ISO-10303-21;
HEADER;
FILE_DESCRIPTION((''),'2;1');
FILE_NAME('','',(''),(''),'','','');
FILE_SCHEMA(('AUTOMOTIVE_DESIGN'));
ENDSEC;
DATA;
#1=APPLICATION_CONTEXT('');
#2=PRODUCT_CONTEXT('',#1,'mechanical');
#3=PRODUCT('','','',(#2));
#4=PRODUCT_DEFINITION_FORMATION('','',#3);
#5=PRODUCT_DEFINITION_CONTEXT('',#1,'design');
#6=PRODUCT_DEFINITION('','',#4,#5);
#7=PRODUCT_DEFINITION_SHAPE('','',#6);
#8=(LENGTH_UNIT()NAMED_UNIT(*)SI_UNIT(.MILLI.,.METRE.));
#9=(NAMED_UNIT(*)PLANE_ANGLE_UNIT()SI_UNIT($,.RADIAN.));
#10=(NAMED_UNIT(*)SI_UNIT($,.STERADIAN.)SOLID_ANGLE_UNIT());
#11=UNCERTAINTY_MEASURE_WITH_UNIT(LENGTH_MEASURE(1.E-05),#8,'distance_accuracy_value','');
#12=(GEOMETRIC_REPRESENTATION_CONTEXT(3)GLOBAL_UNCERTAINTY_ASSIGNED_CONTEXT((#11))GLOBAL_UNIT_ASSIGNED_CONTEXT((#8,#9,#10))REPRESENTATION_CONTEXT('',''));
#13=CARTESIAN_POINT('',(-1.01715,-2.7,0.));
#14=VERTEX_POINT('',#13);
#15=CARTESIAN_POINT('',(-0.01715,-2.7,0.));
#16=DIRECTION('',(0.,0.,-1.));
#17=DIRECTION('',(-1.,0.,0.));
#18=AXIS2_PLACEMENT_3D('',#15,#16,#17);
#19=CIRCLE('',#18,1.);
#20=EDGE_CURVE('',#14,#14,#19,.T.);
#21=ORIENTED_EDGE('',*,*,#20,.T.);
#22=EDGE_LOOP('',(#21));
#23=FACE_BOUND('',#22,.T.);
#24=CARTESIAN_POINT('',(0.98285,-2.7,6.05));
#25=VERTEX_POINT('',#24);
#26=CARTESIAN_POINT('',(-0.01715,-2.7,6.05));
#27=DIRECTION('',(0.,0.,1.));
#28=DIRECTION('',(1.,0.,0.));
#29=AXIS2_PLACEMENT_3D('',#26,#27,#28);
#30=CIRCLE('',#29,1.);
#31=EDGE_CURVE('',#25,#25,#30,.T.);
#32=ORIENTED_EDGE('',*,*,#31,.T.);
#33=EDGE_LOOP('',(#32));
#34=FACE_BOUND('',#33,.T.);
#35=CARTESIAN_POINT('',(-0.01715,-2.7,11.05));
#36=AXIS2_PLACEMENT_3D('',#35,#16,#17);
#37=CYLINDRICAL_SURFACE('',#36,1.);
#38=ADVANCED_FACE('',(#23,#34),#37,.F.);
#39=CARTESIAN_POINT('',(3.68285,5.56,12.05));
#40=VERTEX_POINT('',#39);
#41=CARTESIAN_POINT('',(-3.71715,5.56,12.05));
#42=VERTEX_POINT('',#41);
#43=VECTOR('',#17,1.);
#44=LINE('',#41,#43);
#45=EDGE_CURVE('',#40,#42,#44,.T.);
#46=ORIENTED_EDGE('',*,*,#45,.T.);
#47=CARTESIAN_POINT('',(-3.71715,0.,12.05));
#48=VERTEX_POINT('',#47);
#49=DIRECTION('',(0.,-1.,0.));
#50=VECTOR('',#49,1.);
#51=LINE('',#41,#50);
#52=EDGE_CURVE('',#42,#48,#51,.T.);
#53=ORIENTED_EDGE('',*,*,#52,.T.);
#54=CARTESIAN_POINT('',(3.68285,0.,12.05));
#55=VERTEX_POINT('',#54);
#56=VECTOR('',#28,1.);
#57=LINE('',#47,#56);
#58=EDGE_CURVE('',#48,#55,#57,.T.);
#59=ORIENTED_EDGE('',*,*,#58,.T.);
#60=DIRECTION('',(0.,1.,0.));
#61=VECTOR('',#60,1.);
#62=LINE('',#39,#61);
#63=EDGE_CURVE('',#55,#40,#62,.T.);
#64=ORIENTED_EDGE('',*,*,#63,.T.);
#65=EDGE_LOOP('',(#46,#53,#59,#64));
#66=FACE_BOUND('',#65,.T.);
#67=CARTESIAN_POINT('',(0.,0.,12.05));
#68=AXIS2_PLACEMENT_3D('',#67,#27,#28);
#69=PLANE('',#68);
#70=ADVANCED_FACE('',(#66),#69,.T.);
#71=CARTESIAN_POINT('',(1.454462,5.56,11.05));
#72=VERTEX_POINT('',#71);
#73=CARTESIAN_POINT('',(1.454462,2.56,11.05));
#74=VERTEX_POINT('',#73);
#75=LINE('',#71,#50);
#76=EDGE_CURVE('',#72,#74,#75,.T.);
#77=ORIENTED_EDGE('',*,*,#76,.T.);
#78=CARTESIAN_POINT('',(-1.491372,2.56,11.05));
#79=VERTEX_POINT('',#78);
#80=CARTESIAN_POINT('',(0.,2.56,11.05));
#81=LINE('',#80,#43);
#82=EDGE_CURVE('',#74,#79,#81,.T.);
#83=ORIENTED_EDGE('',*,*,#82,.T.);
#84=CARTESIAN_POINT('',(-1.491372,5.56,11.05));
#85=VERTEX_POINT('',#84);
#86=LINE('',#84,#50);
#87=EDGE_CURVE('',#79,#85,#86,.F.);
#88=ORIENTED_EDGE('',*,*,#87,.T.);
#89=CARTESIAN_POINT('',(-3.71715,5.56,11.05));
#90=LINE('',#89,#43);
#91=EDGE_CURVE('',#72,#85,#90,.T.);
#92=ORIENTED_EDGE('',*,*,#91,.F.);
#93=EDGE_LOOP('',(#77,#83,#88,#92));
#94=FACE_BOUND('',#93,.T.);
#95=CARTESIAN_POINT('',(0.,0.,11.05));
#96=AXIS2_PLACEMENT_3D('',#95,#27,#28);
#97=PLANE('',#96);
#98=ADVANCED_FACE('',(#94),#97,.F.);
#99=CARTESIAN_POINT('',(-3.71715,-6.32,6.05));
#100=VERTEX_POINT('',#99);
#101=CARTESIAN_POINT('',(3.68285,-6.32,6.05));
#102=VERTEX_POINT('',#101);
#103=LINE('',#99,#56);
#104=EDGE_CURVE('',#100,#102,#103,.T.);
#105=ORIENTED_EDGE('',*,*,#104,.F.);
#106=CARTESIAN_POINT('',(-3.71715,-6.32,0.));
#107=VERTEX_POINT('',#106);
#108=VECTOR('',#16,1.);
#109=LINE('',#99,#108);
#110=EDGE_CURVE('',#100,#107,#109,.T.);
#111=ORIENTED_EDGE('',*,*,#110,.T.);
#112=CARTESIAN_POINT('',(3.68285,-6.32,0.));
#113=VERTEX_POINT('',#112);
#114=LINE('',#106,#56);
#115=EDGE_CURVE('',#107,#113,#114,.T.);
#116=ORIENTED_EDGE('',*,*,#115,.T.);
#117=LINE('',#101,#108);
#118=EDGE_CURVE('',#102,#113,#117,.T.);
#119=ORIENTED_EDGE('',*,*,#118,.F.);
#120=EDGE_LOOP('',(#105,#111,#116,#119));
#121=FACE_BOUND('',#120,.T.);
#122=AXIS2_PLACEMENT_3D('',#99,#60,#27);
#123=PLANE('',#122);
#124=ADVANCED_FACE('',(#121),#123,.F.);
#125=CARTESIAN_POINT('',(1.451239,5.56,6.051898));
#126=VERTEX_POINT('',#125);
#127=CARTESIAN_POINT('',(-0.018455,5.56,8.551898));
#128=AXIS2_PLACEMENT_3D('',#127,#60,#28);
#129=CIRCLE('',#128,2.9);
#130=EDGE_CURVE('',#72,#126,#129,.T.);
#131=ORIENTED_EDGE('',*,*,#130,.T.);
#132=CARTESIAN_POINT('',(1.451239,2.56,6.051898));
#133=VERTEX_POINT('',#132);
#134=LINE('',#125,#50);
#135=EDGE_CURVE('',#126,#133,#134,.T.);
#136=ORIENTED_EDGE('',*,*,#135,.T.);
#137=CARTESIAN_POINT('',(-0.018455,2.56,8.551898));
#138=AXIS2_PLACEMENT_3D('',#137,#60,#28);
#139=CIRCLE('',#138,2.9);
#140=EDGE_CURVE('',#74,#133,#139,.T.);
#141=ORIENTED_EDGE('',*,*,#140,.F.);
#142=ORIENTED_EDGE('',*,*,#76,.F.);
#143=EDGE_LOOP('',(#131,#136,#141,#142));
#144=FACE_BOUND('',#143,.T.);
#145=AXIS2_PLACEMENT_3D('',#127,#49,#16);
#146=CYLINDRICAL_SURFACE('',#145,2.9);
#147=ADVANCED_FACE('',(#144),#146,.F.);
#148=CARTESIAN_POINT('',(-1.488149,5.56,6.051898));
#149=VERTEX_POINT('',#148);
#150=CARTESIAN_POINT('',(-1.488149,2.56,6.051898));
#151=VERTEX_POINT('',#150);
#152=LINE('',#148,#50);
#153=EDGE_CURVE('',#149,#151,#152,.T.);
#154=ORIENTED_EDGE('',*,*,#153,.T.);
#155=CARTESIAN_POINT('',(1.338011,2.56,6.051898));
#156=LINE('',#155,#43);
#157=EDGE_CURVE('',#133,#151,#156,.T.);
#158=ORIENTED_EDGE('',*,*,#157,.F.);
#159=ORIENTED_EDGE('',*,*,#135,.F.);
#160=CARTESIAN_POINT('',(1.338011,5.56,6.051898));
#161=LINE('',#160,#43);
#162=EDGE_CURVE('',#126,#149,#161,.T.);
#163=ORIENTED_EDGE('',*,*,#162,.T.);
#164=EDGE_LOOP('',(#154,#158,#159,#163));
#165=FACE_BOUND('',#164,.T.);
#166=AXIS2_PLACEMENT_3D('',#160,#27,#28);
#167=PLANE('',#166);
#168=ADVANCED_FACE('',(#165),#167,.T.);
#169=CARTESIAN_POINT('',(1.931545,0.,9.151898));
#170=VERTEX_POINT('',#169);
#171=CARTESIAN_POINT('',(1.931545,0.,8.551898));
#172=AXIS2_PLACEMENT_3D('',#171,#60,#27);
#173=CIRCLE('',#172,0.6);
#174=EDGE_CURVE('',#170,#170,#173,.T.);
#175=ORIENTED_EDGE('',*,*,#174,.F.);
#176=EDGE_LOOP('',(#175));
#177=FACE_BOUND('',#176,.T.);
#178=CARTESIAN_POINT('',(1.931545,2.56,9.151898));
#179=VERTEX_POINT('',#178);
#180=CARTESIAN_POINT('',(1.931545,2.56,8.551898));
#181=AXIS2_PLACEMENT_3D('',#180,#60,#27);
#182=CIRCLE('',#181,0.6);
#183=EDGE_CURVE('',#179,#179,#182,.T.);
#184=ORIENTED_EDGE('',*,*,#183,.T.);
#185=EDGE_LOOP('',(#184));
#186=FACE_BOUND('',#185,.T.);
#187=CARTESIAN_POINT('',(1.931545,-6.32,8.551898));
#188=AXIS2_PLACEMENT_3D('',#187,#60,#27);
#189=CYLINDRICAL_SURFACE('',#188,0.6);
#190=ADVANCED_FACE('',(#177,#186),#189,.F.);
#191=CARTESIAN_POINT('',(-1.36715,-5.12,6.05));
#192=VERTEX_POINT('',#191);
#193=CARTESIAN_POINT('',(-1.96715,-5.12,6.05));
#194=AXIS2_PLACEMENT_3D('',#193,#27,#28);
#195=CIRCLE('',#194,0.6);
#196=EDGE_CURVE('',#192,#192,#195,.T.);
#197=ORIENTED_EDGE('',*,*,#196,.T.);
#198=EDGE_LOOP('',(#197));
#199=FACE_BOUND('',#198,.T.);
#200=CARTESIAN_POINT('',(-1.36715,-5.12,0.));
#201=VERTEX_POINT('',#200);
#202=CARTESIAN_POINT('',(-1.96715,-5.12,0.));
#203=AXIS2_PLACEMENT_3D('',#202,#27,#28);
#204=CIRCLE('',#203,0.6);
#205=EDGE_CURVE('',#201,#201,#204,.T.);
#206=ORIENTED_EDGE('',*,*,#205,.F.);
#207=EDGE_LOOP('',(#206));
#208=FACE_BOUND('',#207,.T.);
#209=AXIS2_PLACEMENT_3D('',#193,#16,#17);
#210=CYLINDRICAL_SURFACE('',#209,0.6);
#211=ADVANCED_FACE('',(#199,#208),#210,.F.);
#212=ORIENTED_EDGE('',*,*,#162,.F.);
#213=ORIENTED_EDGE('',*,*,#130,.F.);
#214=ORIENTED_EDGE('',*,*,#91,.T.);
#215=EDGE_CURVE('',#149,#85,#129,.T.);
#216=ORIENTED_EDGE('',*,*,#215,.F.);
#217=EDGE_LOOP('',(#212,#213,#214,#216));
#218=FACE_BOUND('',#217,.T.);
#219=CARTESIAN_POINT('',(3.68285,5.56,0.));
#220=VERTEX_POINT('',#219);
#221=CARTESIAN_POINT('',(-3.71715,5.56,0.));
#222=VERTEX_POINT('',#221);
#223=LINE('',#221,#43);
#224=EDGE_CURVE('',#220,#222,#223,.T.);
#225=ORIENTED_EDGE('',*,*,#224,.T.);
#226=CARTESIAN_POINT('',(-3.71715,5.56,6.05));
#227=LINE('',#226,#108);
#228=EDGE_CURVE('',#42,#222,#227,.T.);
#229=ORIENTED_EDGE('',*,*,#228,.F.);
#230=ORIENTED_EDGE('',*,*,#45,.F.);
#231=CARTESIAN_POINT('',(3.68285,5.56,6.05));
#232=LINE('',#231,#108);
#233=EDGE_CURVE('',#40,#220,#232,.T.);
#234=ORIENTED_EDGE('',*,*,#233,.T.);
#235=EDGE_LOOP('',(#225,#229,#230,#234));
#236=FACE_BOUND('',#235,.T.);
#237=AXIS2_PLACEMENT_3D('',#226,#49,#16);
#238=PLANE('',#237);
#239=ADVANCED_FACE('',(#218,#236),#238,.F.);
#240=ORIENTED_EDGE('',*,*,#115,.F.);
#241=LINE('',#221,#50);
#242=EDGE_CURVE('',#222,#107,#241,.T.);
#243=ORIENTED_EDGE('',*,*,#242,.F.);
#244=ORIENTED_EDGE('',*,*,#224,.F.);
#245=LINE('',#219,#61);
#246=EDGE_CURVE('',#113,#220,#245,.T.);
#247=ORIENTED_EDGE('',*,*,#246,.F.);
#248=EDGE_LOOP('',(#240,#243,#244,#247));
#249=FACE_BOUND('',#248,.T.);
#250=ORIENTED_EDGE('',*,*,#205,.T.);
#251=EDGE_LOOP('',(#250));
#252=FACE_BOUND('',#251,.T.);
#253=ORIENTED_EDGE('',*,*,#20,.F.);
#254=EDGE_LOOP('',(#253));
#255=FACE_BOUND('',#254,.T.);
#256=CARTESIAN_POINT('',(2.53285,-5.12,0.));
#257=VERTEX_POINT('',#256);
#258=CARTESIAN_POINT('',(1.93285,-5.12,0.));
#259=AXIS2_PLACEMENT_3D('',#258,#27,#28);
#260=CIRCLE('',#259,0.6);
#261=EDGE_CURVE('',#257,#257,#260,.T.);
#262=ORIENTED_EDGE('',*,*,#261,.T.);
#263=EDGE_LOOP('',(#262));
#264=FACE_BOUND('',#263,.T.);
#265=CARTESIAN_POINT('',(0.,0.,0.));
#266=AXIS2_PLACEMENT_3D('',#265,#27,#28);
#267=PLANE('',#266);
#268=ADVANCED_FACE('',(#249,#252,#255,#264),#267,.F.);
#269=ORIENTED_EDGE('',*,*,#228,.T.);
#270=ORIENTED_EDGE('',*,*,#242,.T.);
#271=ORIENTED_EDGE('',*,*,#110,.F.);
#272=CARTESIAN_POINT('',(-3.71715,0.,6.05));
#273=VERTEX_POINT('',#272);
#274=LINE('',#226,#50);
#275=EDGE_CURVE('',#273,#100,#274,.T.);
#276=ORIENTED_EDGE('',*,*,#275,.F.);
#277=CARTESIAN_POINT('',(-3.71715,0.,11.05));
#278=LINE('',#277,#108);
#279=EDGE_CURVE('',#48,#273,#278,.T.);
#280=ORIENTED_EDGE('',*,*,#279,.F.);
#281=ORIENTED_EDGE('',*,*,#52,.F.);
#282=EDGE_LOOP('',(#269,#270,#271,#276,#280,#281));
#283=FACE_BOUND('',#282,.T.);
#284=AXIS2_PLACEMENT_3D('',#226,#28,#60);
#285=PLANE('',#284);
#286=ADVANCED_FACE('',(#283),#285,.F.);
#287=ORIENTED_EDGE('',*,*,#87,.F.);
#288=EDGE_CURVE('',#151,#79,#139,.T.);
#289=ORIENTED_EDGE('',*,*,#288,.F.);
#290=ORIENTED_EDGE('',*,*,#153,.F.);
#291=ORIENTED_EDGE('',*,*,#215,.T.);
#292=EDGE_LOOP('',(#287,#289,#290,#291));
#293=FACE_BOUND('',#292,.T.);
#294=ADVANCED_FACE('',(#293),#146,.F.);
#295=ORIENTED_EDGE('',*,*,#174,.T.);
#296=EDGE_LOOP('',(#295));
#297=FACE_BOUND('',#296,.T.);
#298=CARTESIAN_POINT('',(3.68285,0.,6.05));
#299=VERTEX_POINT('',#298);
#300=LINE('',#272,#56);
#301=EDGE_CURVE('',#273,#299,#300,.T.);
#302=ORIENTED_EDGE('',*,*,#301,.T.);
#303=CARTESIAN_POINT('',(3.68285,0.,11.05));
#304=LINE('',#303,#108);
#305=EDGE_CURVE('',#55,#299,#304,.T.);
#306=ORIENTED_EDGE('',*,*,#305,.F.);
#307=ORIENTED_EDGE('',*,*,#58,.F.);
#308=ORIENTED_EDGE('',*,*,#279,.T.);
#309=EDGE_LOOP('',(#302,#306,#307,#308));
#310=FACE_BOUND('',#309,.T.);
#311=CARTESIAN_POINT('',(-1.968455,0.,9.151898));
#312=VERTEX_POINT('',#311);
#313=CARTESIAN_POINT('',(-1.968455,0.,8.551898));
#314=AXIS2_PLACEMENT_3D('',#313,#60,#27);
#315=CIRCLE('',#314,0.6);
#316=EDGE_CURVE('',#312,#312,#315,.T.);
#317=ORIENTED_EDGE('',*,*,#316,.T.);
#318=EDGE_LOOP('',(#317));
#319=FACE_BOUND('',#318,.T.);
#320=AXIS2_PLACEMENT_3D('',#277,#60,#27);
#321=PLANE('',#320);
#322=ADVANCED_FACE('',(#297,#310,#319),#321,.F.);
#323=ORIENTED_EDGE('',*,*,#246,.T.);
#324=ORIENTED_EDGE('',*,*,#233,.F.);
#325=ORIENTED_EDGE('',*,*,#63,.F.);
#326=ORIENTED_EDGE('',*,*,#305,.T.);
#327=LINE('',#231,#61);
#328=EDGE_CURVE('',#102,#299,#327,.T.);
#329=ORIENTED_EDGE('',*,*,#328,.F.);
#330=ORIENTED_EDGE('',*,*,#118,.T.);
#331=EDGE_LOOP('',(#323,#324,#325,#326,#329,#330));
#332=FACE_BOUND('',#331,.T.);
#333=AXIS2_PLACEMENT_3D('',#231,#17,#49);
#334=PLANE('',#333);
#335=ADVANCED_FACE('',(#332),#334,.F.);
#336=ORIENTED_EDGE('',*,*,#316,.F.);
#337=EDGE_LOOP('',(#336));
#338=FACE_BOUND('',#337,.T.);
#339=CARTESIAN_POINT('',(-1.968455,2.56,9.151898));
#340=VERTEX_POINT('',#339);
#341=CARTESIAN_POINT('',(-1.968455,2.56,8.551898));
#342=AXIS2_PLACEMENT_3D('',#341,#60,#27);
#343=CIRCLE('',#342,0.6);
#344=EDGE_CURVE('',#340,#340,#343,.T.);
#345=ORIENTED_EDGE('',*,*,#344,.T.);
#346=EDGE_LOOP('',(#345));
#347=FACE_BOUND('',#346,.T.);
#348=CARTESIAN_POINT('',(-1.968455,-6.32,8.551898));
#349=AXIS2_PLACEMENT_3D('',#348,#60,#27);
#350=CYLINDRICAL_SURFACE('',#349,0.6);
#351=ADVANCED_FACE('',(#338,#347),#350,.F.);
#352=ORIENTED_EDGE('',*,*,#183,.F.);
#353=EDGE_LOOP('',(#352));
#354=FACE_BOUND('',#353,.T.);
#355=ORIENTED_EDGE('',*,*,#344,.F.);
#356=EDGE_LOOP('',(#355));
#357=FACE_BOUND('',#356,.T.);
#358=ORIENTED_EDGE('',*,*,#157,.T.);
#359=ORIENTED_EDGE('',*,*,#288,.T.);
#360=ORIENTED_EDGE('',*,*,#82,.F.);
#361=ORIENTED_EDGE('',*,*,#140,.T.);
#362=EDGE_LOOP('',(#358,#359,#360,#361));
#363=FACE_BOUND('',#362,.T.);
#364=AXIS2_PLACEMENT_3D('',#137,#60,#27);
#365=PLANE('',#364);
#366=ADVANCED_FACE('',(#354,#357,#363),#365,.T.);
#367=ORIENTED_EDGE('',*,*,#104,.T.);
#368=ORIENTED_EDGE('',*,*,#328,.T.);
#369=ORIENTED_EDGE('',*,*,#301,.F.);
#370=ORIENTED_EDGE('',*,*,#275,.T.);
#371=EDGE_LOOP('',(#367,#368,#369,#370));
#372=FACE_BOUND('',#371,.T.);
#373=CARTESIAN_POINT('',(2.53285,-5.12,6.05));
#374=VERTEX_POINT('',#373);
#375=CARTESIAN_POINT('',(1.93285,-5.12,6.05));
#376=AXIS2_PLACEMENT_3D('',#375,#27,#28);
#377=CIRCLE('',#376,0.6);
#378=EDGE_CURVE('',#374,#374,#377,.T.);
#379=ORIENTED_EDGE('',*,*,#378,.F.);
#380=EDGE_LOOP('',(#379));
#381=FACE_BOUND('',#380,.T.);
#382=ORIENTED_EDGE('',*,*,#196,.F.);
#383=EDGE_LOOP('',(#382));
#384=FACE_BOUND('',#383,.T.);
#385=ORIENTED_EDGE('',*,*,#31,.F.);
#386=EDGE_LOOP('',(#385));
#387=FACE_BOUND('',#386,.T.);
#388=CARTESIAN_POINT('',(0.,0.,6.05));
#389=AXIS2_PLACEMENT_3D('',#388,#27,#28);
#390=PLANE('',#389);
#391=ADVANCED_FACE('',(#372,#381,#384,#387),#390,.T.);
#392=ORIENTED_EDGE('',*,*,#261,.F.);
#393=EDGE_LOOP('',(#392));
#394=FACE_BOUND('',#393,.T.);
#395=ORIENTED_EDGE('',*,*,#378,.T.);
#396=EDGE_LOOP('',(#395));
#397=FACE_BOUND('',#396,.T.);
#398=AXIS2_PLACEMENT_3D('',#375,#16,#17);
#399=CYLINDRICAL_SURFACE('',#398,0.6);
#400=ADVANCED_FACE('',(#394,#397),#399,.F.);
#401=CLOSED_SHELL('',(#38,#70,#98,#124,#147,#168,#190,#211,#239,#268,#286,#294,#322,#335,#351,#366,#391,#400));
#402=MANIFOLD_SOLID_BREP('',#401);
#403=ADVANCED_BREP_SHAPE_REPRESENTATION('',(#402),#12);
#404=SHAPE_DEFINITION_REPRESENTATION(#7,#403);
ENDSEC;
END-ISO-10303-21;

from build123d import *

# Parameters (mm, degrees)
SKETCH_2_W            = 7.400000122
SKETCH_2_H            = 11.88
SKETCH_2_R            = 0.6
EXTRUDE_1_DEPTH       = 6.05
SKETCH_3_W            = 7.400000122
SKETCH_3_H            = 5.56
EXTRUDE_2_DEPTH       = 5
CUT_EXTRUDE_1_DEPTH   = 3
CUT_EXTRUDE_START     = 3
CUT_EXTRUDE_2_DEPTH   = 3
SKETCH_7_R            = 0.6
CUT_EXTRUDE_2_2_DEPTH = 15.655173365
SKETCH_8_R            = 1
CUT_EXTRUDE_3_DEPTH   = 14.261301081
SKETCH_9_W            = 7.400000122
SKETCH_9_H            = 5.56
EXTRUDE_3_DEPTH       = 1


with BuildPart() as part:
    # Эскиз2 → Бобышка-Вытянуть1 (new body)
    with BuildSketch(Plane.XY):
        with Locations((-0.017150241, -0.38)):
            Rectangle(SKETCH_2_W, SKETCH_2_H)
        with Locations((-1.967150241, -5.12)):
            Circle(SKETCH_2_R, mode=Mode.SUBTRACT)
        with Locations((1.932849759, -5.12)):
            Circle(SKETCH_2_R, mode=Mode.SUBTRACT)
    extrude(amount=EXTRUDE_1_DEPTH)

    # Эскиз3 → Бобышка-Вытянуть2 (add)
    with BuildSketch(Plane.XY.offset(6.05)):
        with Locations((-0.017150241, 2.78)):
            Rectangle(SKETCH_3_W, SKETCH_3_H)
    extrude(amount=EXTRUDE_2_DEPTH)

    # Эскиз5 → Вырез-Вытянуть1 (cut)
    with BuildSketch(Plane(origin=(0, 5.56, 0), x_dir=(1, 0, 0), z_dir=(0, 1, 0))):
        with BuildLine():
            Line((-1.018455159, -10.651897729), (-1.374921155, -10.651897729))
            ThreePointArc((-1.374921155, -10.651897729), (-2.518455159, -8.551897729), (-1.374921155, -6.451897729))
            Line((-1.374921155, -6.451897729), (0.581544841, -6.451897729))
            Line((0.581544841, -6.451897729), (0.981544841, -6.451897729))
            Line((0.981544841, -6.451897729), (1.338010838, -6.451897729))
            ThreePointArc((1.338010838, -6.451897729), (2.481544841, -8.551897729), (1.338010838, -10.651897729))
            Line((1.338010838, -10.651897729), (-0.618455159, -10.651897729))
            Line((-0.618455159, -10.651897729), (-1.018455159, -10.651897729))
        make_face()
    extrude(amount=-CUT_EXTRUDE_1_DEPTH, mode=Mode.SUBTRACT)

    # Эскиз6 → Cut-Extrude 2 (cut)
    with BuildSketch(Plane(origin=(0, 2.56, 0), x_dir=(1, 0, 0), z_dir=(0, 1, 0)).offset(CUT_EXTRUDE_START)):
        with BuildLine():
            Line((-1.488149005, -11.051897729), (1.451238687, -11.051897729))
            ThreePointArc((1.451238687, -11.051897729), (2.881544841, -8.551897729), (1.451238687, -6.051897729))
            Line((1.451238687, -6.051897729), (-1.488149005, -6.051897729))
            ThreePointArc((-1.488149005, -6.051897729), (-2.918455159, -8.551897729), (-1.488149005, -11.051897729))
        make_face()
        with BuildLine():
            Line((-1.374921155, -10.651897729), (1.338010838, -10.651897729))
            ThreePointArc((1.338010838, -10.651897729), (2.481544841, -8.551897729), (1.338010838, -6.451897729))
            Line((1.338010838, -6.451897729), (-1.374921155, -6.451897729))
            ThreePointArc((-1.374921155, -6.451897729), (-2.518455159, -8.551897729), (-1.374921155, -10.651897729))
        make_face(mode=Mode.SUBTRACT)
    extrude(amount=-CUT_EXTRUDE_2_DEPTH, mode=Mode.SUBTRACT)

    # Эскиз7 → Cut-Extrude 2 2 (cut, through all)
    with BuildSketch(Plane(origin=(0, 2.56, 0), x_dir=(1, 0, 0), z_dir=(0, 1, 0))):
        with Locations(Location((-1.968455159, -8.551897729, 0), (0, 0, 270))):
            Circle(SKETCH_7_R)
        with Locations(Location((1.931544841, -8.551897729, 0), (0, 0, 270))):
            Circle(SKETCH_7_R)
    extrude(amount=-CUT_EXTRUDE_2_2_DEPTH, mode=Mode.SUBTRACT)

    # Эскиз8 → Вырез-Вытянуть3 (cut, through all)
    with BuildSketch(Plane(origin=(0, 0, 0), x_dir=(-1, 0, 0), z_dir=(0, 0, -1))):
        with Locations((0.017150241, -2.7)):
            Circle(SKETCH_8_R)
    extrude(amount=-CUT_EXTRUDE_3_DEPTH, mode=Mode.SUBTRACT)

    # Эскиз9 → Бобышка-Вытянуть3 (add)
    with BuildSketch(Plane.XY.offset(11.05)):
        with Locations((-0.017150241, 2.78)):
            Rectangle(SKETCH_9_W, SKETCH_9_H)
    extrude(amount=EXTRUDE_3_DEPTH)


solid = part.part
